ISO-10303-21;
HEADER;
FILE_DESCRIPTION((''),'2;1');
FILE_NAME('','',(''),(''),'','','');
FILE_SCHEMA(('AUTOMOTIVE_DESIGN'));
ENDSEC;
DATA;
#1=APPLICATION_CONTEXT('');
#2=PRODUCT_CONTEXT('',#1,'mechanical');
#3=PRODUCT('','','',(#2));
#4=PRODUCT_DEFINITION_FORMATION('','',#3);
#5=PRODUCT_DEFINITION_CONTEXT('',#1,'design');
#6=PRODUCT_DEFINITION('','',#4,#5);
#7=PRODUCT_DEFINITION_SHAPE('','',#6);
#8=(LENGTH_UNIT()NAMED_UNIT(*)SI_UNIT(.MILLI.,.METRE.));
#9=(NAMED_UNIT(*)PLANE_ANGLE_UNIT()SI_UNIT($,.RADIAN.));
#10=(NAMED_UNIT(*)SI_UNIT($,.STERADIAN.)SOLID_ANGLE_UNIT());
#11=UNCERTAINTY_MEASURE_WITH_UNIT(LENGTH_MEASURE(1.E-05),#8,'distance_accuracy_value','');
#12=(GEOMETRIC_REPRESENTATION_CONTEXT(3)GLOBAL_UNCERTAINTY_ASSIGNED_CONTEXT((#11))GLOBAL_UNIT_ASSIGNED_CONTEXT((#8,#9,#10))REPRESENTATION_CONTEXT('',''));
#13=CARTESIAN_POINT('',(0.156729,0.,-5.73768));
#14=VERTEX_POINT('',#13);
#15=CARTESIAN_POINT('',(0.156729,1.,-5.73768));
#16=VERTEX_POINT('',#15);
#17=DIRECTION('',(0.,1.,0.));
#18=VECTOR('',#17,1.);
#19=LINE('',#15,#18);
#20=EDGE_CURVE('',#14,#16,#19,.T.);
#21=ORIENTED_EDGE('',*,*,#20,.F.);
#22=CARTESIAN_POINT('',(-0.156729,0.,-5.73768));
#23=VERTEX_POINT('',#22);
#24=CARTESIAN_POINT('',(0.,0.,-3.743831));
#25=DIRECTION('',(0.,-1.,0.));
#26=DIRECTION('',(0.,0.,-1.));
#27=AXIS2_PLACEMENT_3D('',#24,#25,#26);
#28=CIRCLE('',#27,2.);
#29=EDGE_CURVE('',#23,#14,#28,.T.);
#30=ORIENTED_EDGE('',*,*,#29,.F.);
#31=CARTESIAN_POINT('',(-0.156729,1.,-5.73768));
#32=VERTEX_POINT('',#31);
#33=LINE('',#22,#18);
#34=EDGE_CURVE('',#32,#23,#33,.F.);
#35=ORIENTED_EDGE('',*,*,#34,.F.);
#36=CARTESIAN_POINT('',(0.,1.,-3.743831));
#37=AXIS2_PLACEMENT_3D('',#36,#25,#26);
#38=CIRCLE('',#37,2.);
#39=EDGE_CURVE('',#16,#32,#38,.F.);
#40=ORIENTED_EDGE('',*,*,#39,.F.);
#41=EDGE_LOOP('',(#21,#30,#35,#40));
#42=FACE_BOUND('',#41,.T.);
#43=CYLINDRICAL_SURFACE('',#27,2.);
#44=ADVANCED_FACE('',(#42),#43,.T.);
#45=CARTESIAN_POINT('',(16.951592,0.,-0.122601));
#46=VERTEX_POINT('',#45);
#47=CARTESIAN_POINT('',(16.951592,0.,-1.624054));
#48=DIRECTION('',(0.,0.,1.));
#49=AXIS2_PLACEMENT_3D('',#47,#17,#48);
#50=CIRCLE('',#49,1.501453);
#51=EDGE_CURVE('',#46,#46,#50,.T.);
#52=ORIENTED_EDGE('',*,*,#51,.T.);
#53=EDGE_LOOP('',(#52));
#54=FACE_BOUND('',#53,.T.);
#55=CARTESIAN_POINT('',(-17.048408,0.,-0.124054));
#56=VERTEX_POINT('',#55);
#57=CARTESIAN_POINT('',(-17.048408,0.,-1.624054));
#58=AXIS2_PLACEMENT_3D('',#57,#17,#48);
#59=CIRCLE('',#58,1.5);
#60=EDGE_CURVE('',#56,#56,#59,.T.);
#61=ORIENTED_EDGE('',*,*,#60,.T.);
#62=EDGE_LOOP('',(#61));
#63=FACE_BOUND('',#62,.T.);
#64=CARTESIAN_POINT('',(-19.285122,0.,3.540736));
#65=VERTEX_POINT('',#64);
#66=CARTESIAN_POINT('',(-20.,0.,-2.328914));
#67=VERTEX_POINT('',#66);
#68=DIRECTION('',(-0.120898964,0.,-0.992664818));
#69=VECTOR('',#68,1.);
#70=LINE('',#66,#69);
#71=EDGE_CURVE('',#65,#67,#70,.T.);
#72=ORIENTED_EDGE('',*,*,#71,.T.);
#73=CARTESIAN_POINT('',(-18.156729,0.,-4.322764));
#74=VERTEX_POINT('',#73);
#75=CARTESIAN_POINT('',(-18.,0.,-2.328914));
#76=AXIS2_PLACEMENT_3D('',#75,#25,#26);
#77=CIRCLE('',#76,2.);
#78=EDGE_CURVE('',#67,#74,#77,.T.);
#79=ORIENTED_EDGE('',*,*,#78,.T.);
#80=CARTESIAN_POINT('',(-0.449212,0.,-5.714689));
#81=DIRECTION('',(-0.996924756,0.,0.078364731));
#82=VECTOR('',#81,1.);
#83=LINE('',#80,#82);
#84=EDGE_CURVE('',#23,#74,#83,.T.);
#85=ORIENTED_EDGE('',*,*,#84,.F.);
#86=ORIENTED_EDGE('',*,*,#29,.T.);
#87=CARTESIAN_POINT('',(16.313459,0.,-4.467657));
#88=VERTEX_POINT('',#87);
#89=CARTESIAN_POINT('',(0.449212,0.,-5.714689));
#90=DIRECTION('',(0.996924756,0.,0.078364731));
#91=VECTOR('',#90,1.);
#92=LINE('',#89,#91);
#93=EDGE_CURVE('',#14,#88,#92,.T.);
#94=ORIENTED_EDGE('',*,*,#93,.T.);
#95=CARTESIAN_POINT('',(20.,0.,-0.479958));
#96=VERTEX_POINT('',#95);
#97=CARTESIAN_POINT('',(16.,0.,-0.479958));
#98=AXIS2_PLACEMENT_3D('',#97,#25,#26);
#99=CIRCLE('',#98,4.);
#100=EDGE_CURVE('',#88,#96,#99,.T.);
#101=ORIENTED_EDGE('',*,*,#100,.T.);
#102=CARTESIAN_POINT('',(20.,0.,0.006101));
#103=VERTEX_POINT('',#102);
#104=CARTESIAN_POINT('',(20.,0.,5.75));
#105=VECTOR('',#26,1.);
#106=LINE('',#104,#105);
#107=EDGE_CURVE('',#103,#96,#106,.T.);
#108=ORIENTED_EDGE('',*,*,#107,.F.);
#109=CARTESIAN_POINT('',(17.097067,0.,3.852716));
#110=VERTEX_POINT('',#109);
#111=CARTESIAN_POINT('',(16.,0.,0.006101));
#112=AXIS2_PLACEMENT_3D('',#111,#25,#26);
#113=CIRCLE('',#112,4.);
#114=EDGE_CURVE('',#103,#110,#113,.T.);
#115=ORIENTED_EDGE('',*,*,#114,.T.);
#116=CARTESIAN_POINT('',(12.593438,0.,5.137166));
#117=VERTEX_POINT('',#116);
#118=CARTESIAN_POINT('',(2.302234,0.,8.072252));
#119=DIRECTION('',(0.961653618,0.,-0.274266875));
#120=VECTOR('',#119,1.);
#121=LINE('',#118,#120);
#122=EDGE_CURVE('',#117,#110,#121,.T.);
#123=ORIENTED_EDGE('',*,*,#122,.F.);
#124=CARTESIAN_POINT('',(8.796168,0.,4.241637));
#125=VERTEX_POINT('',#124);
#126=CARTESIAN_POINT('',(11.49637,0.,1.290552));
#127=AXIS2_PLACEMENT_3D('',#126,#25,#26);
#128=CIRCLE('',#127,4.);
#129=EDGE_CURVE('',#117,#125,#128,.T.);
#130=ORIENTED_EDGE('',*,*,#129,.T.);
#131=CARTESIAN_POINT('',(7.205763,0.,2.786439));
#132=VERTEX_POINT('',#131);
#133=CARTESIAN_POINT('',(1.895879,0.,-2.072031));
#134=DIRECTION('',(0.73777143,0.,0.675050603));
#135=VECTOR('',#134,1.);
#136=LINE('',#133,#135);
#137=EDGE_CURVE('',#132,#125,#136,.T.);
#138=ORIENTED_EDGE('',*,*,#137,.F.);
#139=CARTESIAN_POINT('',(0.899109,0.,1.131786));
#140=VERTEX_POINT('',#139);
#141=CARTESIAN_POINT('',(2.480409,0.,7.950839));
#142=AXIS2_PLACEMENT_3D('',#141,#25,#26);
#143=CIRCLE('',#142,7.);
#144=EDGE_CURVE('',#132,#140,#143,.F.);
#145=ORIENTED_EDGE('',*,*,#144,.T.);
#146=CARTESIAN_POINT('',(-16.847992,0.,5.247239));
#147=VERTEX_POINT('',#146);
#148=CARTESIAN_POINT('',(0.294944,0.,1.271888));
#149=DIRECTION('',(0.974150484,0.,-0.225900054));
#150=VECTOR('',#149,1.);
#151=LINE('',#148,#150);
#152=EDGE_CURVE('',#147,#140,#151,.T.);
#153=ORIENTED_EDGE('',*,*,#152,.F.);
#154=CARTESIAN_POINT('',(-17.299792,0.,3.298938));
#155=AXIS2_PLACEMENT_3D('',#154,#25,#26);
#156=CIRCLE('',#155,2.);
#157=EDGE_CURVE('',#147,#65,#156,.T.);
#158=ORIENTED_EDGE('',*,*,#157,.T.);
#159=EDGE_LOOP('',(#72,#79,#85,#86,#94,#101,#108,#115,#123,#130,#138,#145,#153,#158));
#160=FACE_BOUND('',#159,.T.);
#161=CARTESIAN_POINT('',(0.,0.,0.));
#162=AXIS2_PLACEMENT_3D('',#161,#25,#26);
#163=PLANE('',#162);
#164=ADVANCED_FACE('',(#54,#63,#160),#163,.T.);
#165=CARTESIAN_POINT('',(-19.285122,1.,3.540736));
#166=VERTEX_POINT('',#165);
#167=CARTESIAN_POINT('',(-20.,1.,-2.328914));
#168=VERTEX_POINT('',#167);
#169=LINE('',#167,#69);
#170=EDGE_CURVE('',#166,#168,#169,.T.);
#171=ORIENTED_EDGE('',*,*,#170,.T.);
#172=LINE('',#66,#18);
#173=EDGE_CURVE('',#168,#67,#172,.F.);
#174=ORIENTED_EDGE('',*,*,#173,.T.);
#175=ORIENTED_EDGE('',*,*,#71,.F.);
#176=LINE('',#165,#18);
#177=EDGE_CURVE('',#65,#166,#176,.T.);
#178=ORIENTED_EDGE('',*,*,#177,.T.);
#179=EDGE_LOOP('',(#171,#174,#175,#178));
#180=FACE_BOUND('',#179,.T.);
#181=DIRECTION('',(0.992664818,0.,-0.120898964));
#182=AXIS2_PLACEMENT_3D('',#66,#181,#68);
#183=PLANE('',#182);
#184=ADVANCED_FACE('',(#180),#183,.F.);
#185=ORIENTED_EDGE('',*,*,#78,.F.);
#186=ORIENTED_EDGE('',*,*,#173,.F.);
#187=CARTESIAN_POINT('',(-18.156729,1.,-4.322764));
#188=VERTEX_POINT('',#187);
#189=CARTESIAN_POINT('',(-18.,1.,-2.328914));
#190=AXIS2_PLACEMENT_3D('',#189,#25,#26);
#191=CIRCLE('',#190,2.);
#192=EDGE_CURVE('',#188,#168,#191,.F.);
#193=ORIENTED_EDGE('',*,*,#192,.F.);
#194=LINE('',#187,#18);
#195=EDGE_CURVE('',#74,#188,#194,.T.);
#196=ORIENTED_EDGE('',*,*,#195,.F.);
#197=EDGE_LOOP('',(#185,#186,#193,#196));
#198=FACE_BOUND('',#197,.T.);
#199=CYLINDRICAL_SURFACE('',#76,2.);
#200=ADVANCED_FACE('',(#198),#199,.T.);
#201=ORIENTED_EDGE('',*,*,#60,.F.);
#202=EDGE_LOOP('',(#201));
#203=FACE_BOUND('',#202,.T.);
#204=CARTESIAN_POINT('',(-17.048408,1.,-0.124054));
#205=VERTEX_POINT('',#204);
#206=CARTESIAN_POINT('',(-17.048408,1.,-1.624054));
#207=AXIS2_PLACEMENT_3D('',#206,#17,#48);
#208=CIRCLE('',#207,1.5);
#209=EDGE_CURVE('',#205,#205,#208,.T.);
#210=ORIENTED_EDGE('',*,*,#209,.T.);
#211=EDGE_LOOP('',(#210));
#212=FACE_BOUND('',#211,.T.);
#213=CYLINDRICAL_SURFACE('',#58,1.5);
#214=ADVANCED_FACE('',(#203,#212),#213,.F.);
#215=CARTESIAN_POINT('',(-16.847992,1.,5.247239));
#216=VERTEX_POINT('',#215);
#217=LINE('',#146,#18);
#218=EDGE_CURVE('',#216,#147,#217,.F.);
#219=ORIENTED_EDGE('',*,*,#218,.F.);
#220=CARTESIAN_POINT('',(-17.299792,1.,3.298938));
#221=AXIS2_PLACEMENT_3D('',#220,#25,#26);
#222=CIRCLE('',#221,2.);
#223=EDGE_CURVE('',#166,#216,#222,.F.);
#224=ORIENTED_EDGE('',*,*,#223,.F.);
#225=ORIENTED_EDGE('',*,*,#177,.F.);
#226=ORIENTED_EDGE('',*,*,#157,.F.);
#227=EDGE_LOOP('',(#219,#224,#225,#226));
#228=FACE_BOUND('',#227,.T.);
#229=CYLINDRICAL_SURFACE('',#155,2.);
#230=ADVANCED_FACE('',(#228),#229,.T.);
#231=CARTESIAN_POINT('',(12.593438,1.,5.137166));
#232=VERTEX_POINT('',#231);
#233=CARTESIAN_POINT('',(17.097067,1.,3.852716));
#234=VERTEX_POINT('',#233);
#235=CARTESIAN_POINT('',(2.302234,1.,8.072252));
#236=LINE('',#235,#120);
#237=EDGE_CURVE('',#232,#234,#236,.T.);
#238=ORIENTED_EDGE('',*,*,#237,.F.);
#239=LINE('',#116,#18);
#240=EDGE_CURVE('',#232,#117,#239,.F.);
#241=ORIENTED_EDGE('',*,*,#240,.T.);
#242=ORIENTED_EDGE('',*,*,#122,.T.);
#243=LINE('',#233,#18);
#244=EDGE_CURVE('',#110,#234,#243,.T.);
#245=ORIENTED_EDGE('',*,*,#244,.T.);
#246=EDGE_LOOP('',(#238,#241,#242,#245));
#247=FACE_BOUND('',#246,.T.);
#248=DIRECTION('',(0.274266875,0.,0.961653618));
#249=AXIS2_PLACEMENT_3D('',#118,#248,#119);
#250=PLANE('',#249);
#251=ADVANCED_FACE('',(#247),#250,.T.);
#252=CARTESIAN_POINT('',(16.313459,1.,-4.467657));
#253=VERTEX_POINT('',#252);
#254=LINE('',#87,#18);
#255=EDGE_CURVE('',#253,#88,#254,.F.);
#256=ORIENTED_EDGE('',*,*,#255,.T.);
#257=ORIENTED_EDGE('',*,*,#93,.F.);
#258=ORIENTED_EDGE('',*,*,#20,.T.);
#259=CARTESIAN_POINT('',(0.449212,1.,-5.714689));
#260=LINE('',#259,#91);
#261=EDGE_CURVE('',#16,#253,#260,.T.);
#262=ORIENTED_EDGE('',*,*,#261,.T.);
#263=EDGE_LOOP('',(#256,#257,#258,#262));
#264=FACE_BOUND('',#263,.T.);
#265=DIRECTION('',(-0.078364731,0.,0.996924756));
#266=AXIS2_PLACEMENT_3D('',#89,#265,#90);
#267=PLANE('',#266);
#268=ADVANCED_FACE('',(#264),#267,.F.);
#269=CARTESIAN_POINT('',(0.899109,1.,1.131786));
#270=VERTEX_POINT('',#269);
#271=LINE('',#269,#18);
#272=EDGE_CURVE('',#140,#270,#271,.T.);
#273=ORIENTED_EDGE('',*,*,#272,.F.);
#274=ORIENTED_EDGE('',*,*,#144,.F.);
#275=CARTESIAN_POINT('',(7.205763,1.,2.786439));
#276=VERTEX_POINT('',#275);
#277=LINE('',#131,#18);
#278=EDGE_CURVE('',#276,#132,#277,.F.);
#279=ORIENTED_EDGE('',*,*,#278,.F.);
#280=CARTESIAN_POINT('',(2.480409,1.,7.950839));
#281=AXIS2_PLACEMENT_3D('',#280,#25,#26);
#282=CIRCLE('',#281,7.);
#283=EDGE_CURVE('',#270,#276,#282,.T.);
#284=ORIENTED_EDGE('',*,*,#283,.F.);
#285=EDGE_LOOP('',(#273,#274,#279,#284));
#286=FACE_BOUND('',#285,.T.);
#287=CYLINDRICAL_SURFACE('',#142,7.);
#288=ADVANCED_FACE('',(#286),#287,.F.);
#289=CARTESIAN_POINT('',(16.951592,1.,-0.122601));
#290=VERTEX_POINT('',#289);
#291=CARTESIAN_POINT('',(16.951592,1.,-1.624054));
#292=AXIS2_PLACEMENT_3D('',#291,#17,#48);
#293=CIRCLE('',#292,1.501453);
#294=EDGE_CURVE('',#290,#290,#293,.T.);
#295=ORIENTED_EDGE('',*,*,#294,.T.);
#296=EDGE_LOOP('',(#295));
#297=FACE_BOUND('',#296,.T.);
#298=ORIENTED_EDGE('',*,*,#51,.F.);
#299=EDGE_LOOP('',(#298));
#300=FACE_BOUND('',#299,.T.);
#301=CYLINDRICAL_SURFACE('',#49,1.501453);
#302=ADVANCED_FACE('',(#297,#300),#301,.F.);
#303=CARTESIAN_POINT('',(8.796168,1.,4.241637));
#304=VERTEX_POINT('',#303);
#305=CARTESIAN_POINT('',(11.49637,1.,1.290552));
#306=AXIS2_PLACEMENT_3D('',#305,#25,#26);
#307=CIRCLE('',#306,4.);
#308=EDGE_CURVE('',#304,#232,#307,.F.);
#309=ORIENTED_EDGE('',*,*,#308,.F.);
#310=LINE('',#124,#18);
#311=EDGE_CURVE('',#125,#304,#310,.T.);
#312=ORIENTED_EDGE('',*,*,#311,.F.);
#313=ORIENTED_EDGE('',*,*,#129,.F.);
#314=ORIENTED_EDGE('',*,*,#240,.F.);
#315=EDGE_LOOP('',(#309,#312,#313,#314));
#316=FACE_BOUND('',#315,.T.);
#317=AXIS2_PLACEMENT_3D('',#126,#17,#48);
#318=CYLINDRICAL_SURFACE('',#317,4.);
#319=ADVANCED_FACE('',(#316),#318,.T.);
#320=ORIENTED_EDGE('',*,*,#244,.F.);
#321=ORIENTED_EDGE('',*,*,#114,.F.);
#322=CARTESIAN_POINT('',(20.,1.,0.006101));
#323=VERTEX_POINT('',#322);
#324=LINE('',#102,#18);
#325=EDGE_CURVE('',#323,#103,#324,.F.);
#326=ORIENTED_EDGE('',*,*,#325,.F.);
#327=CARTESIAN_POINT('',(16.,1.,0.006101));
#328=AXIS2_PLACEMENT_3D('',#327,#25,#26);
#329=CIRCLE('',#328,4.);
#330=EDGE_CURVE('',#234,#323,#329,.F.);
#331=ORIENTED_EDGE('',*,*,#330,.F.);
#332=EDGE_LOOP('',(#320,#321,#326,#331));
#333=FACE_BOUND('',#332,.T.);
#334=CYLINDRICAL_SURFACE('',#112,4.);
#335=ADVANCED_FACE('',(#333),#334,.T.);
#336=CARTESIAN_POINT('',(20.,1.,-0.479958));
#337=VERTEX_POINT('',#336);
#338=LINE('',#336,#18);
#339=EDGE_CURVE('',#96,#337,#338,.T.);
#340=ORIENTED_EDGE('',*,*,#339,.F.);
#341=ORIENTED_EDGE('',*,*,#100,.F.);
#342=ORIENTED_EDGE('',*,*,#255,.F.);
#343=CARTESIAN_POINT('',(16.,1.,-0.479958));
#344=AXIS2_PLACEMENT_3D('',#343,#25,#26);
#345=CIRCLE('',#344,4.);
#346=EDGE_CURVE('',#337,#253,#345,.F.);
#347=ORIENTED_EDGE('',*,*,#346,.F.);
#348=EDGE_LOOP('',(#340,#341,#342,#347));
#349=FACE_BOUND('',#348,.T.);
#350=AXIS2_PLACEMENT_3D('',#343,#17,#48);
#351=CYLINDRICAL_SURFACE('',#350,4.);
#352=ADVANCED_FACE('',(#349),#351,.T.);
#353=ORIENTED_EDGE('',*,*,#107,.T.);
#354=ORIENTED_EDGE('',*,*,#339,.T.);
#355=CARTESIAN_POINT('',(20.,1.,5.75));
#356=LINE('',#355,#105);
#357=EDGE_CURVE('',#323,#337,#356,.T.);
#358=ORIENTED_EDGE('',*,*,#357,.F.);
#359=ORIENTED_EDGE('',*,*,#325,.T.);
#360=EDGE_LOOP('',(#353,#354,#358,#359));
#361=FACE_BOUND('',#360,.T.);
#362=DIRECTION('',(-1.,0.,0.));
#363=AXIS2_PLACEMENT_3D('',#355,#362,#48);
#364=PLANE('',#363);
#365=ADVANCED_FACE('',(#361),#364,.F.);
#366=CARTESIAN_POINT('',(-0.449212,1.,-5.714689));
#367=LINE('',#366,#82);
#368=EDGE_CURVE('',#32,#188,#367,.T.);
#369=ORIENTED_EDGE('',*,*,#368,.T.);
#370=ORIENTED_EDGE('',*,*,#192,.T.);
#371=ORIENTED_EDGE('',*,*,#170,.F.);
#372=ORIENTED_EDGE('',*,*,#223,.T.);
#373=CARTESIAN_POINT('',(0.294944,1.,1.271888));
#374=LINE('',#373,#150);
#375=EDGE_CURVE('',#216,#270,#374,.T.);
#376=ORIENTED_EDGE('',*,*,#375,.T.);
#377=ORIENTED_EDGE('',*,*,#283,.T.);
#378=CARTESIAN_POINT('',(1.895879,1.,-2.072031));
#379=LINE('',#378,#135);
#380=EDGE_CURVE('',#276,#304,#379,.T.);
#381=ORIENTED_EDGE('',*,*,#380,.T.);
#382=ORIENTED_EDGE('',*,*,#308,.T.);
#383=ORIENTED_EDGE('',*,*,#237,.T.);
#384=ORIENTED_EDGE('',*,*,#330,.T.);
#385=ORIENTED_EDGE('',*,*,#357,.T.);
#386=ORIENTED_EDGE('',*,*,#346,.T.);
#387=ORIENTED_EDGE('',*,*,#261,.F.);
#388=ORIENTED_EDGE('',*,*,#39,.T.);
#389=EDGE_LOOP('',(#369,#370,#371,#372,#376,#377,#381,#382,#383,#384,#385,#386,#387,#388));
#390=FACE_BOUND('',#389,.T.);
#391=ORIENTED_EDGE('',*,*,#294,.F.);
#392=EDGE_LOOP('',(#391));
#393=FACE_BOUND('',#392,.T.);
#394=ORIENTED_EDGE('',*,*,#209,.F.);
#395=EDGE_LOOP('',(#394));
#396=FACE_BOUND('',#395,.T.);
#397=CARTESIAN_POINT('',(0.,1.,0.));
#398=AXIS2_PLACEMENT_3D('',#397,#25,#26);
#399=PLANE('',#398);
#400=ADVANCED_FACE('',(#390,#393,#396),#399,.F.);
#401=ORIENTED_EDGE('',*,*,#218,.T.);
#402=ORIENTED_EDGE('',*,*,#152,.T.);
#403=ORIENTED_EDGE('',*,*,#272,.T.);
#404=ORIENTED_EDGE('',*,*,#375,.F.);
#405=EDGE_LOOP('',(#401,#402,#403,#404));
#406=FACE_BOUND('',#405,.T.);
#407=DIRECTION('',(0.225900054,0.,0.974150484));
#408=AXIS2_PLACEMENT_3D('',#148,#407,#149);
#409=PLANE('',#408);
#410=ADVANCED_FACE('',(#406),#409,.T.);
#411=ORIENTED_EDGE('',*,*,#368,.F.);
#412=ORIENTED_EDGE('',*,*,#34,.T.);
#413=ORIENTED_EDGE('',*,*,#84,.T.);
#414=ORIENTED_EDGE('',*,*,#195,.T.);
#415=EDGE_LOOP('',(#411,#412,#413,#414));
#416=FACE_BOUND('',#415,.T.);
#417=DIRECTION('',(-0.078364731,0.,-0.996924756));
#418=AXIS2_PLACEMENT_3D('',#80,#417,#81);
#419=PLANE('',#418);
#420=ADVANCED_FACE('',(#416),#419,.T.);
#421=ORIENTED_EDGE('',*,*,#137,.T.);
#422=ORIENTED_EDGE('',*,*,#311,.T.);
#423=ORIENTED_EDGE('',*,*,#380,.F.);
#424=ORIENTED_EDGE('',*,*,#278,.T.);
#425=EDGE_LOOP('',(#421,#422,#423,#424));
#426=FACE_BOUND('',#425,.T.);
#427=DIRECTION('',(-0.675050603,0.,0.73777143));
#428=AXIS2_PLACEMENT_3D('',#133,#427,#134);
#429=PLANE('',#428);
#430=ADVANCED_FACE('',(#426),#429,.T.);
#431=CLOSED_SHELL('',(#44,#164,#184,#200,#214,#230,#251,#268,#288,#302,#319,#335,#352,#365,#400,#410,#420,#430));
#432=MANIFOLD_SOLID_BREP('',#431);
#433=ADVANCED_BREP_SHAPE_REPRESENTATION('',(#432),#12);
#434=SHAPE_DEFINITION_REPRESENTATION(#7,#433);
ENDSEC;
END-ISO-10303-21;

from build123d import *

# Parameters (mm, degrees)
SKETCH1_W           = 40
SKETCH1_H           = 11.5
BOSS_EXTRUDE1_DEPTH = 1
CUT_EXTRUDE1_DEPTH  = 1
FILLET1_R           = 2
FILLET2_R           = 4
FILLET3_R           = 2
CUT_EXTRUDE2_DEPTH  = 1
CUT_EXTRUDE3_DEPTH  = 1
FILLET4_R           = 2
FILLET5_R           = 7
FILLET6_R           = 4
FILLET7_R           = 4
SKETCH5_R           = 1.5
SKETCH5_R_2         = 1.501453264
CUT_EXTRUDE4_DEPTH  = 1


with BuildPart() as part:
    # Sketch1 → Boss-Extrude1 (new body)
    with BuildSketch(Plane(origin=(0, 0, 0), x_dir=(1, 0, 0), z_dir=(0, 1, 0))):
        Rectangle(SKETCH1_W, SKETCH1_H)
    extrude(amount=BOSS_EXTRUDE1_DEPTH)

    # Sketch2 → Cut-Extrude1 (cut)
    with BuildSketch(Plane(origin=(0, 1, 0), x_dir=(1, 0, 0), z_dir=(0, 1, 0))):
        Polygon((-20, 4.177870703), (0, 5.75), (-20, 5.75), align=None)
        Polygon((20, 5.75), (0, 5.75), (20, 4.177870703), align=None)
    extrude(amount=-CUT_EXTRUDE1_DEPTH, mode=Mode.SUBTRACT)

    # Fillet1
    fillet1_edges = [part.edges().sort_by_distance(p)[0] for p in [
        (0, 0.5, -5.75),
    ]]
    fillet(fillet1_edges, radius=FILLET1_R)

    # Fillet2
    fillet2_edges = [part.edges().sort_by_distance(p)[0] for p in [
        (20, 0.5, -4.177870703),
    ]]
    fillet(fillet2_edges, radius=FILLET2_R)

    # Fillet3
    fillet3_edges = [part.edges().sort_by_distance(p)[0] for p in [
        (-20, 0.5, -4.177870703),
    ]]
    fillet(fillet3_edges, radius=FILLET3_R)

    # Sketch3 → Cut-Extrude2 (cut)
    with BuildSketch(Plane(origin=(0, 1, 0), x_dir=(1, 0, 0), z_dir=(0, 1, 0))):
        Polygon((-20, 2.328914172), (-19.016050198, -5.75), (-20, -5.75), align=None)
    extrude(amount=-CUT_EXTRUDE2_DEPTH, mode=Mode.SUBTRACT)

    # Sketch4 → Cut-Extrude3 (cut)
    with BuildSketch(Plane(origin=(0, 1, 0), x_dir=(1, 0, 0), z_dir=(0, 1, 0))):
        Polygon((4.487841755, -0.29957878), (-19.016050198, -5.75), (10.444676757, -5.75), align=None)
        Polygon((20, -3.02478939), (10.444676757, -5.75), (20, -5.75), align=None)
    extrude(amount=-CUT_EXTRUDE3_DEPTH, mode=Mode.SUBTRACT)

    # Fillet4
    fillet4_edges = [part.edges().sort_by_distance(p)[0] for p in [
        (-19.016050198, 0.5, 5.75),
    ]]
    fillet(fillet4_edges, radius=FILLET4_R)

    # Fillet5
    fillet5_edges = [part.edges().sort_by_distance(p)[0] for p in [
        (4.487841755, 0.5, 0.29957878),
    ]]
    fillet(fillet5_edges, radius=FILLET5_R)

    # Fillet6
    fillet6_edges = [part.edges().sort_by_distance(p)[0] for p in [
        (10.444676757, 0.5, 5.75),
    ]]
    fillet(fillet6_edges, radius=FILLET6_R)

    # Fillet7
    fillet7_edges = [part.edges().sort_by_distance(p)[0] for p in [
        (20, 0.5, 3.02478939),
    ]]
    fillet(fillet7_edges, radius=FILLET7_R)

    # Sketch5 → Cut-Extrude4 (cut)
    with BuildSketch(Plane(origin=(0, 1, 0), x_dir=(1, 0, 0), z_dir=(0, 1, 0))):
        with Locations(Location((-17.048407867, 1.6240543, 0), (0, 0, 270))):
            Circle(SKETCH5_R)
        with Locations(Location((16.951592133, 1.6240543, 0), (0, 0, 270))):
            Circle(SKETCH5_R_2)
    extrude(amount=-CUT_EXTRUDE4_DEPTH, mode=Mode.SUBTRACT)


solid = part.part
